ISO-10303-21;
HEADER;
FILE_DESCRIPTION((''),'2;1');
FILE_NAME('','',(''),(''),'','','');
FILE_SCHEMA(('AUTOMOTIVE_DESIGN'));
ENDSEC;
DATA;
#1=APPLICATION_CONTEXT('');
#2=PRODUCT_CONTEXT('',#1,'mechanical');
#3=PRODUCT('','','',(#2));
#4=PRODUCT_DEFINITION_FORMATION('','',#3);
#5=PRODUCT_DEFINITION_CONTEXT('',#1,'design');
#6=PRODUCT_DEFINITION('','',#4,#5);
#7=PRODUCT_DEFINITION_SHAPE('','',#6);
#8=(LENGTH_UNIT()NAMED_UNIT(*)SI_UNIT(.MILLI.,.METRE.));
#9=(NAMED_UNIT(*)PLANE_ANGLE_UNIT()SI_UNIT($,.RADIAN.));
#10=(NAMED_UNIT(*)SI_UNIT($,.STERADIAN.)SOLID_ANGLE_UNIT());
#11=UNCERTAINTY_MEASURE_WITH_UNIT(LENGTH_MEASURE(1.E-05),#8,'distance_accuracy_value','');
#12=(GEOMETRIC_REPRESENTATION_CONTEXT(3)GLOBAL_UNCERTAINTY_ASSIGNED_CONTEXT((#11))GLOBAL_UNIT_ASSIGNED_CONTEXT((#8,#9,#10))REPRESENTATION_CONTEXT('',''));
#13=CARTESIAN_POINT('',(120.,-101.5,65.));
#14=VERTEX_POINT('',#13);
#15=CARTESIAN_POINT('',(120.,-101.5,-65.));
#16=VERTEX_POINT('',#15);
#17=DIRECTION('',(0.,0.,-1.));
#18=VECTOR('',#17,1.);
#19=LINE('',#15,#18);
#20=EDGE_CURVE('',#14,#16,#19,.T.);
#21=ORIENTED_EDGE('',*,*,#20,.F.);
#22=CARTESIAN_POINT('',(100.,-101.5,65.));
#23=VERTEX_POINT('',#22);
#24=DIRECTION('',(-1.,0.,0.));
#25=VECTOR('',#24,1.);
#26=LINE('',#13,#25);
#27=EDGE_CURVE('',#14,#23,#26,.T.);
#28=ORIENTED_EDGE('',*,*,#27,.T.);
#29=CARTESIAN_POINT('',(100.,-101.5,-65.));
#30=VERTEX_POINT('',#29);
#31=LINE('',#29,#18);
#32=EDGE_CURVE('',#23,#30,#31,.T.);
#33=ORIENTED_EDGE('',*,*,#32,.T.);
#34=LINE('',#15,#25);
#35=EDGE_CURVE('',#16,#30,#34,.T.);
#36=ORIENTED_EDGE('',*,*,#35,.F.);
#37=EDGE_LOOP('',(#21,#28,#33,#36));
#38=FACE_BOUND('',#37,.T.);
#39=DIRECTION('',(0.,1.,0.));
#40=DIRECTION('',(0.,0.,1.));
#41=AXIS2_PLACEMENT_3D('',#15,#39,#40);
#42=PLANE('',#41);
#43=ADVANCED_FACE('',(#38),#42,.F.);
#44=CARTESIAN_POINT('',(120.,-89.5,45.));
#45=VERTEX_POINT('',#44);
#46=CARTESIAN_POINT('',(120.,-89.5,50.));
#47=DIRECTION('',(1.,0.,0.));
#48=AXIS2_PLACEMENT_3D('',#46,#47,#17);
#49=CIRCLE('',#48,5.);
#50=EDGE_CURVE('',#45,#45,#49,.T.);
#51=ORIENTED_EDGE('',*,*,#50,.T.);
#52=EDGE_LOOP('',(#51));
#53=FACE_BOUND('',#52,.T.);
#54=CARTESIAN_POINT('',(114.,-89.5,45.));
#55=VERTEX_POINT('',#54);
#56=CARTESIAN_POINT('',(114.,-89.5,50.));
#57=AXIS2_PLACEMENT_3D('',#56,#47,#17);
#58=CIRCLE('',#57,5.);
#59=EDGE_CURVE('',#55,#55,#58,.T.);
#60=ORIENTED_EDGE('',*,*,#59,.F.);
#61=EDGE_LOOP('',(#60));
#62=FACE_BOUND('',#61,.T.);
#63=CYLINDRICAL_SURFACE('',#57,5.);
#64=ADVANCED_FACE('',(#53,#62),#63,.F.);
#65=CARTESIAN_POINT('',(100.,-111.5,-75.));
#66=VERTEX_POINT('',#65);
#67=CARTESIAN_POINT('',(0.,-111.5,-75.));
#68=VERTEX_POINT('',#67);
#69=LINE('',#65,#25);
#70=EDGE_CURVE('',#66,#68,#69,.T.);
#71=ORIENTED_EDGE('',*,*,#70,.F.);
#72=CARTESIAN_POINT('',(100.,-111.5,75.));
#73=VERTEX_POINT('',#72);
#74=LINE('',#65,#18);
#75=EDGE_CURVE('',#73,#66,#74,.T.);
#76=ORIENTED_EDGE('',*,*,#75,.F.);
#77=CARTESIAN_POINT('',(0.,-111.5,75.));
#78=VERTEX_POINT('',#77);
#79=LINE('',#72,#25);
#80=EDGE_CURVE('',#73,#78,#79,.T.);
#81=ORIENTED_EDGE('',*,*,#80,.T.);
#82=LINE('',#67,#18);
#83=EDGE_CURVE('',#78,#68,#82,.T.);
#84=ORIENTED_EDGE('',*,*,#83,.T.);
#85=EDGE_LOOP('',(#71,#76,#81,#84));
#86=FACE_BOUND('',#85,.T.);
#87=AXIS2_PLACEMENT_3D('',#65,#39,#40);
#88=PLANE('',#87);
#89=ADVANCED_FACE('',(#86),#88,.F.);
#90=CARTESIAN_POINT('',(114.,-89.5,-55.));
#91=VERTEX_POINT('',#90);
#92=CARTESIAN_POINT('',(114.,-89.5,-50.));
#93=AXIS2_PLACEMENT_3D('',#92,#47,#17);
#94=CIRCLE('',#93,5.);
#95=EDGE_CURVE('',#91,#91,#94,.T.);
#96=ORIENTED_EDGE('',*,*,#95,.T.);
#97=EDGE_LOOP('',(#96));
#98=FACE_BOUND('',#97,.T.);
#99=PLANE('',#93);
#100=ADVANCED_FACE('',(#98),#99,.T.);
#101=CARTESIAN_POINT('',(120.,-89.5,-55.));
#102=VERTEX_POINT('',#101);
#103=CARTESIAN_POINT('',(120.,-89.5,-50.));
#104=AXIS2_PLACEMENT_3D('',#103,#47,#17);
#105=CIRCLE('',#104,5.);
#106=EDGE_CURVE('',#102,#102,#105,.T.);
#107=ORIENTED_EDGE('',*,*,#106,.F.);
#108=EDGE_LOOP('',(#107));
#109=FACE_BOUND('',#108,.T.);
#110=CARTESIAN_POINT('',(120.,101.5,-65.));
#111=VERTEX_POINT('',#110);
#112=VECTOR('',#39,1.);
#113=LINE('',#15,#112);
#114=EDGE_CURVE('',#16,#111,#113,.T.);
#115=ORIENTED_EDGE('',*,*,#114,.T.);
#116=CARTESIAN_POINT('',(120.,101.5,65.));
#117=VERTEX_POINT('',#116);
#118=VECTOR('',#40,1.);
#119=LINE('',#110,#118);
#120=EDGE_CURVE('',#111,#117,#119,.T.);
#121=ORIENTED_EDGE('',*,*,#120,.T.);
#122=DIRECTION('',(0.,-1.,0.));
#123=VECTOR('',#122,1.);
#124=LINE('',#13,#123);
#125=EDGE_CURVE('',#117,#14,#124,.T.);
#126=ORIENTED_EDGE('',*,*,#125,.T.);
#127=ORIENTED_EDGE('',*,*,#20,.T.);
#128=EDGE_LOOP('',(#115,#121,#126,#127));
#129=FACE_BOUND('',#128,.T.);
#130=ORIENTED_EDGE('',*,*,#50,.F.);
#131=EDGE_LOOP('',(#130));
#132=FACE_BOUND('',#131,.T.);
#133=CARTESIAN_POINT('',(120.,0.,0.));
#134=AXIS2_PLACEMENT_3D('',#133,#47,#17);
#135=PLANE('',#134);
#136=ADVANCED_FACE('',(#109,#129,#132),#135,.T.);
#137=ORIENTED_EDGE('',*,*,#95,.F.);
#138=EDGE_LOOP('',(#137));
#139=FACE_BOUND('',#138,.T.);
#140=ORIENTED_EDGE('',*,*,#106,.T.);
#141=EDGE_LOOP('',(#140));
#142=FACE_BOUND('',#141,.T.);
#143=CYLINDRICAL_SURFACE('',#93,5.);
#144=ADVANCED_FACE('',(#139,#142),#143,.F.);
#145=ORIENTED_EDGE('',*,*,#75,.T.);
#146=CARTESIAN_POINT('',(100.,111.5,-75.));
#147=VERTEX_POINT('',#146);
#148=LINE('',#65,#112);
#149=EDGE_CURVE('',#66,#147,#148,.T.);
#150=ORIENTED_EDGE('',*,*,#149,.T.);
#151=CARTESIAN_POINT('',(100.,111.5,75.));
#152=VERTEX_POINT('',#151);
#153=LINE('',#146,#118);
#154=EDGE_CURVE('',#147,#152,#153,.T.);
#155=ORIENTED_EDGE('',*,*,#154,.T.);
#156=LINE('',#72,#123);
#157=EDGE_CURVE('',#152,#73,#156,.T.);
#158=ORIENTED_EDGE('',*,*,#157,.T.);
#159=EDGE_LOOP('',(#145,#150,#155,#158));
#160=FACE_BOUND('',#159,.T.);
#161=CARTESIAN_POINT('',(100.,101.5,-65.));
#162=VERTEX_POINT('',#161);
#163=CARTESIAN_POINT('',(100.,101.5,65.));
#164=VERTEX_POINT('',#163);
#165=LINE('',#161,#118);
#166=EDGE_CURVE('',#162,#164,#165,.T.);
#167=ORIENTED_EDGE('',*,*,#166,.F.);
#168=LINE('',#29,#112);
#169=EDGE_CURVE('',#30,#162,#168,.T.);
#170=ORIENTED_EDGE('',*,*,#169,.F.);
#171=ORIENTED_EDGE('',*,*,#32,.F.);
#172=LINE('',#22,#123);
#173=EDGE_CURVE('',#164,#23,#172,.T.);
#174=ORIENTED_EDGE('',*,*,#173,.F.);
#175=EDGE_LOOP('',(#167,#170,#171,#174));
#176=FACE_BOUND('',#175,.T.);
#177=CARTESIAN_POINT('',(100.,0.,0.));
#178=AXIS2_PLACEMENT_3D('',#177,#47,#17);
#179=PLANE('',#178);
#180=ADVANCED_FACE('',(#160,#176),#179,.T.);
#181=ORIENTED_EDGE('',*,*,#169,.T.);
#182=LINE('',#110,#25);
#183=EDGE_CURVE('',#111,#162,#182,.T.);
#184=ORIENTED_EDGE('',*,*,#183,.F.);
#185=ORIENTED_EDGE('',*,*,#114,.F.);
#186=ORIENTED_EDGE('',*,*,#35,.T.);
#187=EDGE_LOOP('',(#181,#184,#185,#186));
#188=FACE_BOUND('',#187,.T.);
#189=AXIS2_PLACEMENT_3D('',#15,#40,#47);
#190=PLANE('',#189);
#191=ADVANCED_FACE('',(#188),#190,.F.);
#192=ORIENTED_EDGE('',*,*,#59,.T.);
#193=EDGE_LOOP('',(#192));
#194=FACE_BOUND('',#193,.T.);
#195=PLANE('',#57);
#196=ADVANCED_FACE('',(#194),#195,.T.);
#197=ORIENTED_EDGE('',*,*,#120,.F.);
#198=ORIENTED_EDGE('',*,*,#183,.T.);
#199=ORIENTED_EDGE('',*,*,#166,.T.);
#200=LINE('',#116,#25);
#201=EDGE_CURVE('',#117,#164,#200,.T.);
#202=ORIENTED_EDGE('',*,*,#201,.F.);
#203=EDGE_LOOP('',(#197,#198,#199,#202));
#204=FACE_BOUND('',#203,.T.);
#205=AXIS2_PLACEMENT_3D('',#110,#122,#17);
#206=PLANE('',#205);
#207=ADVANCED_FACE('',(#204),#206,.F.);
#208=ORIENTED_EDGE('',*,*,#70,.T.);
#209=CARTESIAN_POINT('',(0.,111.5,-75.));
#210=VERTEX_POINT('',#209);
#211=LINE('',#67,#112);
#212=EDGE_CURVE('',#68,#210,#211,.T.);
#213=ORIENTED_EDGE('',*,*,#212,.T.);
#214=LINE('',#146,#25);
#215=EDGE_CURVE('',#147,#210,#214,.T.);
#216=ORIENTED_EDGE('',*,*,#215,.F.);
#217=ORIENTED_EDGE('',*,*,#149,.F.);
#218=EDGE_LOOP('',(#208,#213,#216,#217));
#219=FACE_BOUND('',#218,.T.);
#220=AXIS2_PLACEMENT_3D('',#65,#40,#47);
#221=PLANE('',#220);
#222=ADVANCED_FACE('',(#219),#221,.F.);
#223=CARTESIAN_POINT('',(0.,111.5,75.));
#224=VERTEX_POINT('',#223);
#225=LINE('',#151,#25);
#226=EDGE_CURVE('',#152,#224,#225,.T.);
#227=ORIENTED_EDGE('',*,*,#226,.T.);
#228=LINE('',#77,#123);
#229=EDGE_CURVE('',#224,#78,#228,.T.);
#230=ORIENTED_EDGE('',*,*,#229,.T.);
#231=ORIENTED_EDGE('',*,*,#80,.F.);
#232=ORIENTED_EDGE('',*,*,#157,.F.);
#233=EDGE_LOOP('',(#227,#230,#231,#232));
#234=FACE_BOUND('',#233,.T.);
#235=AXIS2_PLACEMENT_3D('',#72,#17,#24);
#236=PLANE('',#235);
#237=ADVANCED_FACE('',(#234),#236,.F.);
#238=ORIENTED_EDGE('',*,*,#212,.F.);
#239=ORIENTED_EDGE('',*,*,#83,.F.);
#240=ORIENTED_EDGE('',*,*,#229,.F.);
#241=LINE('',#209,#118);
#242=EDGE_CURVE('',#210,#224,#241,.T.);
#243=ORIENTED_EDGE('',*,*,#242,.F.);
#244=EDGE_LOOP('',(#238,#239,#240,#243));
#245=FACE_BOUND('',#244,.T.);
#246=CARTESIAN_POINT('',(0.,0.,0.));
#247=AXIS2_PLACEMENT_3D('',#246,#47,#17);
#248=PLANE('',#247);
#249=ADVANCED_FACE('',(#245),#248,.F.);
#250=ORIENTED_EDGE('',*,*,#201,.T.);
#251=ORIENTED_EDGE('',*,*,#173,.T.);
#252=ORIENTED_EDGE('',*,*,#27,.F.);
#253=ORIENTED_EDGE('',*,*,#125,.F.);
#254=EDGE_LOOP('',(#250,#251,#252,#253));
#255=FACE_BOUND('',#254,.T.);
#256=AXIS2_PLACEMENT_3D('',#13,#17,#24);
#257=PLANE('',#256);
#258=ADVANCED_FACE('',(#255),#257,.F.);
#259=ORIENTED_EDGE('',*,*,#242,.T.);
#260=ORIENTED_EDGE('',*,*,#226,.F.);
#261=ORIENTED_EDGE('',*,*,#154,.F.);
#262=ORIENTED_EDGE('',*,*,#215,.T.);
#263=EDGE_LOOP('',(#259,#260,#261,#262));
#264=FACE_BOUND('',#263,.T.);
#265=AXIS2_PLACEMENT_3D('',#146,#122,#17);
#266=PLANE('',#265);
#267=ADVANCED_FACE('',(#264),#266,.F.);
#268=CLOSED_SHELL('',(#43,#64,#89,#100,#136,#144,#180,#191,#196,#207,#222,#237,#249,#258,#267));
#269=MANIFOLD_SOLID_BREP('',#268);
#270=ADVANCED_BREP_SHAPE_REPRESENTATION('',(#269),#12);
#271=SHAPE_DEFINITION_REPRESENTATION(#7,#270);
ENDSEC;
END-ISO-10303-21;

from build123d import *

# Parameters (mm, degrees)
CROQUIS1_W              = 150
CROQUIS1_H              = 223
SALIENTE_EXTRUIR1_DEPTH = 100
CROQUIS2_W              = 130
CROQUIS2_H              = 203
SALIENTE_EXTRUIR2_DEPTH = 20
CROQUIS3_R              = 5
CORTAR_EXTRUIR1_DEPTH   = 6


with BuildPart() as part:
    # Croquis1 → Saliente-Extruir1 (new body)
    with BuildSketch(Plane(origin=(0, 0, 0), x_dir=(0, 0, -1), z_dir=(1, 0, 0))):
        Rectangle(CROQUIS1_W, CROQUIS1_H)
    extrude(amount=SALIENTE_EXTRUIR1_DEPTH)

    # Croquis2 → Saliente-Extruir2 (add)
    with BuildSketch(Plane(origin=(100, 0, 0), x_dir=(0, 0, -1), z_dir=(1, 0, 0))):
        Rectangle(CROQUIS2_W, CROQUIS2_H)
    extrude(amount=SALIENTE_EXTRUIR2_DEPTH)

    # Croquis3 → Cortar-Extruir1 (cut)
    with BuildSketch(Plane(origin=(120, 0, 0), x_dir=(0, 0, -1), z_dir=(1, 0, 0))):
        with Locations((-50, -89.5)):
            Circle(CROQUIS3_R)
        with Locations((50, -89.5)):
            Circle(CROQUIS3_R)
    extrude(amount=-CORTAR_EXTRUIR1_DEPTH, mode=Mode.SUBTRACT)


solid = part.part
